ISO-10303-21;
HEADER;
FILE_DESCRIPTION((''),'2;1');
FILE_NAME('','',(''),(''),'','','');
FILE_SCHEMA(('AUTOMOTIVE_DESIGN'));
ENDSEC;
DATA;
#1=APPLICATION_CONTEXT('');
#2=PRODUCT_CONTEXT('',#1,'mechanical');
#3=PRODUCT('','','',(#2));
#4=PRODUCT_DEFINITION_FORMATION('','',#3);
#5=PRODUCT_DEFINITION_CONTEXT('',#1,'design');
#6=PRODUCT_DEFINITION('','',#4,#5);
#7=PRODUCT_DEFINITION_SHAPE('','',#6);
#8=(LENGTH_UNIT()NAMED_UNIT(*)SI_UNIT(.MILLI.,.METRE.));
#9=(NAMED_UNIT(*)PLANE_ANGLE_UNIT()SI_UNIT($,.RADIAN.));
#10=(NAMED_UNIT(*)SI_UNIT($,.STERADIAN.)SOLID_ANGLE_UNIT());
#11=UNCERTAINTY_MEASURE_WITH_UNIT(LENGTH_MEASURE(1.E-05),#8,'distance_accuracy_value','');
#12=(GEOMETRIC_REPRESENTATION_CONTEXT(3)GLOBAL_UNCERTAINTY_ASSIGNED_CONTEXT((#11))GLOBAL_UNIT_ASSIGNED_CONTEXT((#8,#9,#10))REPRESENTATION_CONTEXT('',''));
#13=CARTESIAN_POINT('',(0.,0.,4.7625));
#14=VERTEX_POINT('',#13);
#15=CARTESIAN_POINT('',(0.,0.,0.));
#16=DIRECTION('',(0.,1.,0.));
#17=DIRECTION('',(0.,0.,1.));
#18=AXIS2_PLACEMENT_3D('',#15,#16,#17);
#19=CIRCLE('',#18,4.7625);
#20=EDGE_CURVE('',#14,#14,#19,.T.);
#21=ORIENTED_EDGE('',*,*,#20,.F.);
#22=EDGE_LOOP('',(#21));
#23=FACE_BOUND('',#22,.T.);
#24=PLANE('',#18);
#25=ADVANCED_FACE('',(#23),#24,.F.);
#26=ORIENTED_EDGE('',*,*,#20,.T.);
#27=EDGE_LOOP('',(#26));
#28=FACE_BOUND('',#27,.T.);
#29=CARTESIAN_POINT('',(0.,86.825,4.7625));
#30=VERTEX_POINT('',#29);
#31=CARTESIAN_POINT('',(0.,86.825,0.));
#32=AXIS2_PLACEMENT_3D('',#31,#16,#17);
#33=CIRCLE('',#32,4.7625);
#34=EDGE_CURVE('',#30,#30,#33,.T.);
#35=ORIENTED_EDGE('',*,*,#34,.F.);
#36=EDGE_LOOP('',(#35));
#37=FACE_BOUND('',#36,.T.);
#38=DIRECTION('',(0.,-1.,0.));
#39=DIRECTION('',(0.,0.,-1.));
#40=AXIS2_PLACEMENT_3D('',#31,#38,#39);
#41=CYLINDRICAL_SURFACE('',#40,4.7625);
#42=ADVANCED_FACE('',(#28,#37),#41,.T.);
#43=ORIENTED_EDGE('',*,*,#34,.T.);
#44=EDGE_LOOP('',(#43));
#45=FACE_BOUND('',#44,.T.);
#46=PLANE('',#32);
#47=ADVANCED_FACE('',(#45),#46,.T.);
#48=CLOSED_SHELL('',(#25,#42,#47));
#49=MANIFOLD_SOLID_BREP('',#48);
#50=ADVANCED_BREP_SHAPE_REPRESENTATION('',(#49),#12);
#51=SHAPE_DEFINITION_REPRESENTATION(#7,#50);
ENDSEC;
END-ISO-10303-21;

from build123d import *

# Parameters (mm, degrees)
SKETCH1_R           = 4.7625
BOSS_EXTRUDE1_DEPTH = 86.825


with BuildPart() as part:
    # Sketch1 → Boss-Extrude1 (new body)
    with BuildSketch(Plane(origin=(0, 0, 0), x_dir=(1, 0, 0), z_dir=(0, 1, 0))):
        with Locations(Location((0, 0, 0), (0, 0, 270))):
            Circle(SKETCH1_R)
    extrude(amount=BOSS_EXTRUDE1_DEPTH)


solid = part.part
